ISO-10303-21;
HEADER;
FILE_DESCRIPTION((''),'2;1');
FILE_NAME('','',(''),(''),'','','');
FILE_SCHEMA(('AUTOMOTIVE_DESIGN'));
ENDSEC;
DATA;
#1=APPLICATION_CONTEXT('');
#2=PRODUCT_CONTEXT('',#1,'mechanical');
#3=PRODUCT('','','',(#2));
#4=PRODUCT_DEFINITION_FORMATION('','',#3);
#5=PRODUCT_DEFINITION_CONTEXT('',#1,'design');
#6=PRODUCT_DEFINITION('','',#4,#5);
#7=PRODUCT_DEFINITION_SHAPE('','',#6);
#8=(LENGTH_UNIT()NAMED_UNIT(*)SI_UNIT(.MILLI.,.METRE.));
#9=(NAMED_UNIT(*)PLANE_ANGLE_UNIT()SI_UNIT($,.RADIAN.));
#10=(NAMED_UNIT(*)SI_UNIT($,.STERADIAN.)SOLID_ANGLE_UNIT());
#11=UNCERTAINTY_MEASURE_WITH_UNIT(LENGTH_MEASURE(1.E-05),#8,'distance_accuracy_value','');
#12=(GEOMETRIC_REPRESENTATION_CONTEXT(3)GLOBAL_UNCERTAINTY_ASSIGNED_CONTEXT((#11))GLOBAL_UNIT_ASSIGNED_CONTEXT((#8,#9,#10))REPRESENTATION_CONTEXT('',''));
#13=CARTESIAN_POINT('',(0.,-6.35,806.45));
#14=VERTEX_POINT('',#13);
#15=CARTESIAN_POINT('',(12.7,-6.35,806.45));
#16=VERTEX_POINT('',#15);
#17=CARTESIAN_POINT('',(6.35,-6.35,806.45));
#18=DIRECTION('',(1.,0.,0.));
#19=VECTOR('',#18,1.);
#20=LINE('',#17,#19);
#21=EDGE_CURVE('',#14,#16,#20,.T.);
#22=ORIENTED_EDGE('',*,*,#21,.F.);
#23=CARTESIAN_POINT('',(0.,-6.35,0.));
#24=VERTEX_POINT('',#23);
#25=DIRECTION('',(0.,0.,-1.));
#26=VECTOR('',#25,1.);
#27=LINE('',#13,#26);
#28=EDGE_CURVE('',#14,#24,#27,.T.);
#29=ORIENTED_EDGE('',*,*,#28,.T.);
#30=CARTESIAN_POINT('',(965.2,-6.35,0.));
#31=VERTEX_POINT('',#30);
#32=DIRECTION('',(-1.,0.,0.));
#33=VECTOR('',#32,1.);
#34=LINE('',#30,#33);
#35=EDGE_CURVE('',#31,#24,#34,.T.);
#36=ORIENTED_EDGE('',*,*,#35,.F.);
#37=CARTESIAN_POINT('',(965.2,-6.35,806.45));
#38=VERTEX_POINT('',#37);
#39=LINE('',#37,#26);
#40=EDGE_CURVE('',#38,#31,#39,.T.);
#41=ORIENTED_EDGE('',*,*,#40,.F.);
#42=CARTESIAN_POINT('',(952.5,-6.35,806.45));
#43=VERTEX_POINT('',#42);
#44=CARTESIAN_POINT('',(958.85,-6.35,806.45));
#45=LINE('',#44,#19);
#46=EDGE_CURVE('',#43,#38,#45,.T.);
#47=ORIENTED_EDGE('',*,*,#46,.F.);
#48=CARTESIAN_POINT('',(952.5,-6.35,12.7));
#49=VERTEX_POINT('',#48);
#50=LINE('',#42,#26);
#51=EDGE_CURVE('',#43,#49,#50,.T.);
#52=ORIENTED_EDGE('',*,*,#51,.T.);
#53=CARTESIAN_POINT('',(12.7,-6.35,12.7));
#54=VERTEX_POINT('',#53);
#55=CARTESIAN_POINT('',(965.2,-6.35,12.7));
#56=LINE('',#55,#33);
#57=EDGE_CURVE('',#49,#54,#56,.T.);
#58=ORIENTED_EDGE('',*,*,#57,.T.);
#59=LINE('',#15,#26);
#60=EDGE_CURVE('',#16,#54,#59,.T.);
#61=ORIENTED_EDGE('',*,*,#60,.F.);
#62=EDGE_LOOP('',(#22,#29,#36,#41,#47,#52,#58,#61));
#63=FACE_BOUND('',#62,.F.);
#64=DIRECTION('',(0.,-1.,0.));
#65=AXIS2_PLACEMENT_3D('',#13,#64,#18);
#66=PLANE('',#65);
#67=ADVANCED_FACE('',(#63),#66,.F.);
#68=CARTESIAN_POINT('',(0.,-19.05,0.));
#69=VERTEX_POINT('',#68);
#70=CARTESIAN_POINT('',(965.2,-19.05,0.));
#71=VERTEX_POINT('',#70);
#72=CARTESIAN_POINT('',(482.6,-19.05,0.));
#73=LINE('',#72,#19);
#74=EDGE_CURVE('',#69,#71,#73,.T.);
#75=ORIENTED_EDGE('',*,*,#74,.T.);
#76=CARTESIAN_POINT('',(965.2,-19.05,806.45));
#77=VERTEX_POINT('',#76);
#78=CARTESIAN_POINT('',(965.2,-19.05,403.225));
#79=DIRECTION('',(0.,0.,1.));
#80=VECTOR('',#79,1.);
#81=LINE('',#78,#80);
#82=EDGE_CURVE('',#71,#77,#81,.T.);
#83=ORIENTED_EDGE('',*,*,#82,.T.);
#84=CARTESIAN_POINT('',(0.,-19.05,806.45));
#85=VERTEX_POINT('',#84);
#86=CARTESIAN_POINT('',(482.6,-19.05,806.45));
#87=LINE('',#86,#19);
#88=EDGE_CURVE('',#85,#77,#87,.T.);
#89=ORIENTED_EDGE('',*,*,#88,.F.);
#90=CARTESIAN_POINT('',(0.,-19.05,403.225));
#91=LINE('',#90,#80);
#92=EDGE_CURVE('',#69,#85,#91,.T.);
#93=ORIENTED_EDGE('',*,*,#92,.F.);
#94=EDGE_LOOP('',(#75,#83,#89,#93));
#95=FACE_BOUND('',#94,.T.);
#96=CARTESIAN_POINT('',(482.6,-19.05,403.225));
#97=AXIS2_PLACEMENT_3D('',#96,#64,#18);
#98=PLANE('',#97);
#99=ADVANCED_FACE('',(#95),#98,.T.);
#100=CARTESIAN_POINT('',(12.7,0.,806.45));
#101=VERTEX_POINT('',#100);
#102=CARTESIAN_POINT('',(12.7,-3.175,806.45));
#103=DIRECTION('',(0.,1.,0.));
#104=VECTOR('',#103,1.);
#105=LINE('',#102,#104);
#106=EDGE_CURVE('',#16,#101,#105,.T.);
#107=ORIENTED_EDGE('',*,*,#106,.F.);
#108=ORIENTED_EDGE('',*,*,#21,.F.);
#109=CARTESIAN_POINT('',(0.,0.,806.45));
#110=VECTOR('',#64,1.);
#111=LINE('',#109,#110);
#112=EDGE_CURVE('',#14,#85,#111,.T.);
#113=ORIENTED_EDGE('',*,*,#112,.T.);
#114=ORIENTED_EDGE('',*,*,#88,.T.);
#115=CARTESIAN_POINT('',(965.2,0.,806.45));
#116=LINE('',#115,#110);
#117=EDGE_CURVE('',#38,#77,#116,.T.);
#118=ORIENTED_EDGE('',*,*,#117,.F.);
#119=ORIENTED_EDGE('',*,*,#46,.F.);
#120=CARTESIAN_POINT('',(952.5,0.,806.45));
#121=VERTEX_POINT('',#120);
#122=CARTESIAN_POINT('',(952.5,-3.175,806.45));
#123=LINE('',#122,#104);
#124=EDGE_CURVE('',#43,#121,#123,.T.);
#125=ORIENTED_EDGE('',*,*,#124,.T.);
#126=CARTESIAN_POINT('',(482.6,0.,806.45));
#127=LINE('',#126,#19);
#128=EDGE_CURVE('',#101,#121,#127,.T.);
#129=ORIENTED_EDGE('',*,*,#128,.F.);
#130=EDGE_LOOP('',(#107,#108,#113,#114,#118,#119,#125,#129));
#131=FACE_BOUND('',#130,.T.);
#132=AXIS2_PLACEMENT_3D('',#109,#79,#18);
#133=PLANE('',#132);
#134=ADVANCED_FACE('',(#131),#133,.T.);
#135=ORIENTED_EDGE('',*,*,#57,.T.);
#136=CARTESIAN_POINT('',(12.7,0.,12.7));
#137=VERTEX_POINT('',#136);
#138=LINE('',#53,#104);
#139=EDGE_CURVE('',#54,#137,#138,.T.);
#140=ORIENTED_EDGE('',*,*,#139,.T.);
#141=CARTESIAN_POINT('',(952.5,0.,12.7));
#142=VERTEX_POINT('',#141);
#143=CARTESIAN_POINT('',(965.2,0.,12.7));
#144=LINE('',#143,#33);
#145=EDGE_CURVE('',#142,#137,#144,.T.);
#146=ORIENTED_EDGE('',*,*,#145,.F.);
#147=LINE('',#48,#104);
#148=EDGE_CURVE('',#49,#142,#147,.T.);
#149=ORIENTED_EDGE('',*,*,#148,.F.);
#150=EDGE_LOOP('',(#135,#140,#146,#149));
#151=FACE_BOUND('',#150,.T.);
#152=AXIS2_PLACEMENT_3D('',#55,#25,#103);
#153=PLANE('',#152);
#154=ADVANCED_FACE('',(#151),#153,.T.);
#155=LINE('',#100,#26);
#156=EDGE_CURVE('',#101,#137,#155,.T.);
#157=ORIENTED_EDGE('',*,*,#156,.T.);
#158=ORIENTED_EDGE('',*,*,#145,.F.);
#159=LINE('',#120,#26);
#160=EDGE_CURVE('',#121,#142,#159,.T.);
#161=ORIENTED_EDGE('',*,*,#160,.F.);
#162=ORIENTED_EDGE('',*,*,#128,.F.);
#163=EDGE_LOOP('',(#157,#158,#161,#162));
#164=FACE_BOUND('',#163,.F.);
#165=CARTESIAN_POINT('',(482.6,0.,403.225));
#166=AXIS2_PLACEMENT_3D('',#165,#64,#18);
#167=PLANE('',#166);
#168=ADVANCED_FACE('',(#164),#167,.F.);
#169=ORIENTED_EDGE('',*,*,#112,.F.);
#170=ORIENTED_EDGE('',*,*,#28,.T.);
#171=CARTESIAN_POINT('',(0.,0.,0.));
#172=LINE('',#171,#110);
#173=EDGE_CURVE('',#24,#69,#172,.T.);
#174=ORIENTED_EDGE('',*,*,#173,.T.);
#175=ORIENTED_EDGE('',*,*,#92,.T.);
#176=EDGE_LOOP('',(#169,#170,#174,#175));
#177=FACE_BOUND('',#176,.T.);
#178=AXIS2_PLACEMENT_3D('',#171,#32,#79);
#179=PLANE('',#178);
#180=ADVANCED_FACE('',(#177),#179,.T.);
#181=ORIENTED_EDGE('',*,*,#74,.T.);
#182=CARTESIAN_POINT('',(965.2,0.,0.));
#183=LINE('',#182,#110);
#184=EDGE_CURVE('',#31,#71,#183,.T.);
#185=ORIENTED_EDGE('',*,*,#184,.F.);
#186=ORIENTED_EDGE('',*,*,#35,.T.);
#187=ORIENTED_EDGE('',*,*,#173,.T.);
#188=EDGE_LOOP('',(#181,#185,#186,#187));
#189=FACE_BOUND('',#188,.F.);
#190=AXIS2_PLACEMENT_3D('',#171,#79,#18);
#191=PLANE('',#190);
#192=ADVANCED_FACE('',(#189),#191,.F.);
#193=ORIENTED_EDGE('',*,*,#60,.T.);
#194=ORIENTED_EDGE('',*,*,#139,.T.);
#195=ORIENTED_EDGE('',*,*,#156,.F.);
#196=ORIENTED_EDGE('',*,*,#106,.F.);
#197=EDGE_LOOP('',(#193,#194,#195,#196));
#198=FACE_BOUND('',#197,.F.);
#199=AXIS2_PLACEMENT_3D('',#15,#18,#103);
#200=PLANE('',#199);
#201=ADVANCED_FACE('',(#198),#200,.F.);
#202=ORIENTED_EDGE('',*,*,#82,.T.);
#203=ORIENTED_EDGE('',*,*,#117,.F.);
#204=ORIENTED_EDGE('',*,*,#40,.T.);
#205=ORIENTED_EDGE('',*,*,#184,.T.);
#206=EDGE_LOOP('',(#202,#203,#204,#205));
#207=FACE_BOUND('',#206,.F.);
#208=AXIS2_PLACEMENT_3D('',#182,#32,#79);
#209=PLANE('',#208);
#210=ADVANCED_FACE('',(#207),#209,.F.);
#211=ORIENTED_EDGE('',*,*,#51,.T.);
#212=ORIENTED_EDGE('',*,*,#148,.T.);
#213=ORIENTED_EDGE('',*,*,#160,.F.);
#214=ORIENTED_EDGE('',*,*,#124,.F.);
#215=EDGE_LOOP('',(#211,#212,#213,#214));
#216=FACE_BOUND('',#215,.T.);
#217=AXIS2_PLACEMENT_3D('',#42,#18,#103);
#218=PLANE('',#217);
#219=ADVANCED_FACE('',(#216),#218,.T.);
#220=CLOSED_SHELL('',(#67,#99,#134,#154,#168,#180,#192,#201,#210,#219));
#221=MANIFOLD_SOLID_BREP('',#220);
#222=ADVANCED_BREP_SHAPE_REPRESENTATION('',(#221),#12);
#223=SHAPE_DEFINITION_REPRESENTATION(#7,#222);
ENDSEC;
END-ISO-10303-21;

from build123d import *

# Parameters (mm, degrees)
F0_W     = 965.2
F0_H     = 806.45
F1_DEPTH = 19.05
F2_W     = 12.7
F2_H     = 6.35
F3_DEPTH = 806.451
F4_W     = 6.35
F4_H     = 12.7
F5_DEPTH = 965.201


with BuildPart() as f1:
    # F0 (on Front) → F1 (new body)
    with BuildSketch(Plane.XZ):
        with Locations((482.6, 403.225)):
            Rectangle(F0_W, F0_H)
    extrude(amount=F1_DEPTH)

    # F2 (on face) → F3 (cut, through all)
    with BuildSketch(Plane.XY.offset(806.45)):
        with Locations((6.35, -3.175)):
            Rectangle(F2_W, F2_H)
        with Locations((958.85, -3.175)):
            Rectangle(F2_W, F2_H)
    extrude(amount=-F3_DEPTH, mode=Mode.SUBTRACT)

    # F4 (on face) → F5 (cut, through all)
    with BuildSketch(Plane.YZ.offset(965.2)):
        with Locations((-3.175, 6.35)):
            Rectangle(F4_W, F4_H)
    extrude(amount=-F5_DEPTH, mode=Mode.SUBTRACT)


solid = f1.part
